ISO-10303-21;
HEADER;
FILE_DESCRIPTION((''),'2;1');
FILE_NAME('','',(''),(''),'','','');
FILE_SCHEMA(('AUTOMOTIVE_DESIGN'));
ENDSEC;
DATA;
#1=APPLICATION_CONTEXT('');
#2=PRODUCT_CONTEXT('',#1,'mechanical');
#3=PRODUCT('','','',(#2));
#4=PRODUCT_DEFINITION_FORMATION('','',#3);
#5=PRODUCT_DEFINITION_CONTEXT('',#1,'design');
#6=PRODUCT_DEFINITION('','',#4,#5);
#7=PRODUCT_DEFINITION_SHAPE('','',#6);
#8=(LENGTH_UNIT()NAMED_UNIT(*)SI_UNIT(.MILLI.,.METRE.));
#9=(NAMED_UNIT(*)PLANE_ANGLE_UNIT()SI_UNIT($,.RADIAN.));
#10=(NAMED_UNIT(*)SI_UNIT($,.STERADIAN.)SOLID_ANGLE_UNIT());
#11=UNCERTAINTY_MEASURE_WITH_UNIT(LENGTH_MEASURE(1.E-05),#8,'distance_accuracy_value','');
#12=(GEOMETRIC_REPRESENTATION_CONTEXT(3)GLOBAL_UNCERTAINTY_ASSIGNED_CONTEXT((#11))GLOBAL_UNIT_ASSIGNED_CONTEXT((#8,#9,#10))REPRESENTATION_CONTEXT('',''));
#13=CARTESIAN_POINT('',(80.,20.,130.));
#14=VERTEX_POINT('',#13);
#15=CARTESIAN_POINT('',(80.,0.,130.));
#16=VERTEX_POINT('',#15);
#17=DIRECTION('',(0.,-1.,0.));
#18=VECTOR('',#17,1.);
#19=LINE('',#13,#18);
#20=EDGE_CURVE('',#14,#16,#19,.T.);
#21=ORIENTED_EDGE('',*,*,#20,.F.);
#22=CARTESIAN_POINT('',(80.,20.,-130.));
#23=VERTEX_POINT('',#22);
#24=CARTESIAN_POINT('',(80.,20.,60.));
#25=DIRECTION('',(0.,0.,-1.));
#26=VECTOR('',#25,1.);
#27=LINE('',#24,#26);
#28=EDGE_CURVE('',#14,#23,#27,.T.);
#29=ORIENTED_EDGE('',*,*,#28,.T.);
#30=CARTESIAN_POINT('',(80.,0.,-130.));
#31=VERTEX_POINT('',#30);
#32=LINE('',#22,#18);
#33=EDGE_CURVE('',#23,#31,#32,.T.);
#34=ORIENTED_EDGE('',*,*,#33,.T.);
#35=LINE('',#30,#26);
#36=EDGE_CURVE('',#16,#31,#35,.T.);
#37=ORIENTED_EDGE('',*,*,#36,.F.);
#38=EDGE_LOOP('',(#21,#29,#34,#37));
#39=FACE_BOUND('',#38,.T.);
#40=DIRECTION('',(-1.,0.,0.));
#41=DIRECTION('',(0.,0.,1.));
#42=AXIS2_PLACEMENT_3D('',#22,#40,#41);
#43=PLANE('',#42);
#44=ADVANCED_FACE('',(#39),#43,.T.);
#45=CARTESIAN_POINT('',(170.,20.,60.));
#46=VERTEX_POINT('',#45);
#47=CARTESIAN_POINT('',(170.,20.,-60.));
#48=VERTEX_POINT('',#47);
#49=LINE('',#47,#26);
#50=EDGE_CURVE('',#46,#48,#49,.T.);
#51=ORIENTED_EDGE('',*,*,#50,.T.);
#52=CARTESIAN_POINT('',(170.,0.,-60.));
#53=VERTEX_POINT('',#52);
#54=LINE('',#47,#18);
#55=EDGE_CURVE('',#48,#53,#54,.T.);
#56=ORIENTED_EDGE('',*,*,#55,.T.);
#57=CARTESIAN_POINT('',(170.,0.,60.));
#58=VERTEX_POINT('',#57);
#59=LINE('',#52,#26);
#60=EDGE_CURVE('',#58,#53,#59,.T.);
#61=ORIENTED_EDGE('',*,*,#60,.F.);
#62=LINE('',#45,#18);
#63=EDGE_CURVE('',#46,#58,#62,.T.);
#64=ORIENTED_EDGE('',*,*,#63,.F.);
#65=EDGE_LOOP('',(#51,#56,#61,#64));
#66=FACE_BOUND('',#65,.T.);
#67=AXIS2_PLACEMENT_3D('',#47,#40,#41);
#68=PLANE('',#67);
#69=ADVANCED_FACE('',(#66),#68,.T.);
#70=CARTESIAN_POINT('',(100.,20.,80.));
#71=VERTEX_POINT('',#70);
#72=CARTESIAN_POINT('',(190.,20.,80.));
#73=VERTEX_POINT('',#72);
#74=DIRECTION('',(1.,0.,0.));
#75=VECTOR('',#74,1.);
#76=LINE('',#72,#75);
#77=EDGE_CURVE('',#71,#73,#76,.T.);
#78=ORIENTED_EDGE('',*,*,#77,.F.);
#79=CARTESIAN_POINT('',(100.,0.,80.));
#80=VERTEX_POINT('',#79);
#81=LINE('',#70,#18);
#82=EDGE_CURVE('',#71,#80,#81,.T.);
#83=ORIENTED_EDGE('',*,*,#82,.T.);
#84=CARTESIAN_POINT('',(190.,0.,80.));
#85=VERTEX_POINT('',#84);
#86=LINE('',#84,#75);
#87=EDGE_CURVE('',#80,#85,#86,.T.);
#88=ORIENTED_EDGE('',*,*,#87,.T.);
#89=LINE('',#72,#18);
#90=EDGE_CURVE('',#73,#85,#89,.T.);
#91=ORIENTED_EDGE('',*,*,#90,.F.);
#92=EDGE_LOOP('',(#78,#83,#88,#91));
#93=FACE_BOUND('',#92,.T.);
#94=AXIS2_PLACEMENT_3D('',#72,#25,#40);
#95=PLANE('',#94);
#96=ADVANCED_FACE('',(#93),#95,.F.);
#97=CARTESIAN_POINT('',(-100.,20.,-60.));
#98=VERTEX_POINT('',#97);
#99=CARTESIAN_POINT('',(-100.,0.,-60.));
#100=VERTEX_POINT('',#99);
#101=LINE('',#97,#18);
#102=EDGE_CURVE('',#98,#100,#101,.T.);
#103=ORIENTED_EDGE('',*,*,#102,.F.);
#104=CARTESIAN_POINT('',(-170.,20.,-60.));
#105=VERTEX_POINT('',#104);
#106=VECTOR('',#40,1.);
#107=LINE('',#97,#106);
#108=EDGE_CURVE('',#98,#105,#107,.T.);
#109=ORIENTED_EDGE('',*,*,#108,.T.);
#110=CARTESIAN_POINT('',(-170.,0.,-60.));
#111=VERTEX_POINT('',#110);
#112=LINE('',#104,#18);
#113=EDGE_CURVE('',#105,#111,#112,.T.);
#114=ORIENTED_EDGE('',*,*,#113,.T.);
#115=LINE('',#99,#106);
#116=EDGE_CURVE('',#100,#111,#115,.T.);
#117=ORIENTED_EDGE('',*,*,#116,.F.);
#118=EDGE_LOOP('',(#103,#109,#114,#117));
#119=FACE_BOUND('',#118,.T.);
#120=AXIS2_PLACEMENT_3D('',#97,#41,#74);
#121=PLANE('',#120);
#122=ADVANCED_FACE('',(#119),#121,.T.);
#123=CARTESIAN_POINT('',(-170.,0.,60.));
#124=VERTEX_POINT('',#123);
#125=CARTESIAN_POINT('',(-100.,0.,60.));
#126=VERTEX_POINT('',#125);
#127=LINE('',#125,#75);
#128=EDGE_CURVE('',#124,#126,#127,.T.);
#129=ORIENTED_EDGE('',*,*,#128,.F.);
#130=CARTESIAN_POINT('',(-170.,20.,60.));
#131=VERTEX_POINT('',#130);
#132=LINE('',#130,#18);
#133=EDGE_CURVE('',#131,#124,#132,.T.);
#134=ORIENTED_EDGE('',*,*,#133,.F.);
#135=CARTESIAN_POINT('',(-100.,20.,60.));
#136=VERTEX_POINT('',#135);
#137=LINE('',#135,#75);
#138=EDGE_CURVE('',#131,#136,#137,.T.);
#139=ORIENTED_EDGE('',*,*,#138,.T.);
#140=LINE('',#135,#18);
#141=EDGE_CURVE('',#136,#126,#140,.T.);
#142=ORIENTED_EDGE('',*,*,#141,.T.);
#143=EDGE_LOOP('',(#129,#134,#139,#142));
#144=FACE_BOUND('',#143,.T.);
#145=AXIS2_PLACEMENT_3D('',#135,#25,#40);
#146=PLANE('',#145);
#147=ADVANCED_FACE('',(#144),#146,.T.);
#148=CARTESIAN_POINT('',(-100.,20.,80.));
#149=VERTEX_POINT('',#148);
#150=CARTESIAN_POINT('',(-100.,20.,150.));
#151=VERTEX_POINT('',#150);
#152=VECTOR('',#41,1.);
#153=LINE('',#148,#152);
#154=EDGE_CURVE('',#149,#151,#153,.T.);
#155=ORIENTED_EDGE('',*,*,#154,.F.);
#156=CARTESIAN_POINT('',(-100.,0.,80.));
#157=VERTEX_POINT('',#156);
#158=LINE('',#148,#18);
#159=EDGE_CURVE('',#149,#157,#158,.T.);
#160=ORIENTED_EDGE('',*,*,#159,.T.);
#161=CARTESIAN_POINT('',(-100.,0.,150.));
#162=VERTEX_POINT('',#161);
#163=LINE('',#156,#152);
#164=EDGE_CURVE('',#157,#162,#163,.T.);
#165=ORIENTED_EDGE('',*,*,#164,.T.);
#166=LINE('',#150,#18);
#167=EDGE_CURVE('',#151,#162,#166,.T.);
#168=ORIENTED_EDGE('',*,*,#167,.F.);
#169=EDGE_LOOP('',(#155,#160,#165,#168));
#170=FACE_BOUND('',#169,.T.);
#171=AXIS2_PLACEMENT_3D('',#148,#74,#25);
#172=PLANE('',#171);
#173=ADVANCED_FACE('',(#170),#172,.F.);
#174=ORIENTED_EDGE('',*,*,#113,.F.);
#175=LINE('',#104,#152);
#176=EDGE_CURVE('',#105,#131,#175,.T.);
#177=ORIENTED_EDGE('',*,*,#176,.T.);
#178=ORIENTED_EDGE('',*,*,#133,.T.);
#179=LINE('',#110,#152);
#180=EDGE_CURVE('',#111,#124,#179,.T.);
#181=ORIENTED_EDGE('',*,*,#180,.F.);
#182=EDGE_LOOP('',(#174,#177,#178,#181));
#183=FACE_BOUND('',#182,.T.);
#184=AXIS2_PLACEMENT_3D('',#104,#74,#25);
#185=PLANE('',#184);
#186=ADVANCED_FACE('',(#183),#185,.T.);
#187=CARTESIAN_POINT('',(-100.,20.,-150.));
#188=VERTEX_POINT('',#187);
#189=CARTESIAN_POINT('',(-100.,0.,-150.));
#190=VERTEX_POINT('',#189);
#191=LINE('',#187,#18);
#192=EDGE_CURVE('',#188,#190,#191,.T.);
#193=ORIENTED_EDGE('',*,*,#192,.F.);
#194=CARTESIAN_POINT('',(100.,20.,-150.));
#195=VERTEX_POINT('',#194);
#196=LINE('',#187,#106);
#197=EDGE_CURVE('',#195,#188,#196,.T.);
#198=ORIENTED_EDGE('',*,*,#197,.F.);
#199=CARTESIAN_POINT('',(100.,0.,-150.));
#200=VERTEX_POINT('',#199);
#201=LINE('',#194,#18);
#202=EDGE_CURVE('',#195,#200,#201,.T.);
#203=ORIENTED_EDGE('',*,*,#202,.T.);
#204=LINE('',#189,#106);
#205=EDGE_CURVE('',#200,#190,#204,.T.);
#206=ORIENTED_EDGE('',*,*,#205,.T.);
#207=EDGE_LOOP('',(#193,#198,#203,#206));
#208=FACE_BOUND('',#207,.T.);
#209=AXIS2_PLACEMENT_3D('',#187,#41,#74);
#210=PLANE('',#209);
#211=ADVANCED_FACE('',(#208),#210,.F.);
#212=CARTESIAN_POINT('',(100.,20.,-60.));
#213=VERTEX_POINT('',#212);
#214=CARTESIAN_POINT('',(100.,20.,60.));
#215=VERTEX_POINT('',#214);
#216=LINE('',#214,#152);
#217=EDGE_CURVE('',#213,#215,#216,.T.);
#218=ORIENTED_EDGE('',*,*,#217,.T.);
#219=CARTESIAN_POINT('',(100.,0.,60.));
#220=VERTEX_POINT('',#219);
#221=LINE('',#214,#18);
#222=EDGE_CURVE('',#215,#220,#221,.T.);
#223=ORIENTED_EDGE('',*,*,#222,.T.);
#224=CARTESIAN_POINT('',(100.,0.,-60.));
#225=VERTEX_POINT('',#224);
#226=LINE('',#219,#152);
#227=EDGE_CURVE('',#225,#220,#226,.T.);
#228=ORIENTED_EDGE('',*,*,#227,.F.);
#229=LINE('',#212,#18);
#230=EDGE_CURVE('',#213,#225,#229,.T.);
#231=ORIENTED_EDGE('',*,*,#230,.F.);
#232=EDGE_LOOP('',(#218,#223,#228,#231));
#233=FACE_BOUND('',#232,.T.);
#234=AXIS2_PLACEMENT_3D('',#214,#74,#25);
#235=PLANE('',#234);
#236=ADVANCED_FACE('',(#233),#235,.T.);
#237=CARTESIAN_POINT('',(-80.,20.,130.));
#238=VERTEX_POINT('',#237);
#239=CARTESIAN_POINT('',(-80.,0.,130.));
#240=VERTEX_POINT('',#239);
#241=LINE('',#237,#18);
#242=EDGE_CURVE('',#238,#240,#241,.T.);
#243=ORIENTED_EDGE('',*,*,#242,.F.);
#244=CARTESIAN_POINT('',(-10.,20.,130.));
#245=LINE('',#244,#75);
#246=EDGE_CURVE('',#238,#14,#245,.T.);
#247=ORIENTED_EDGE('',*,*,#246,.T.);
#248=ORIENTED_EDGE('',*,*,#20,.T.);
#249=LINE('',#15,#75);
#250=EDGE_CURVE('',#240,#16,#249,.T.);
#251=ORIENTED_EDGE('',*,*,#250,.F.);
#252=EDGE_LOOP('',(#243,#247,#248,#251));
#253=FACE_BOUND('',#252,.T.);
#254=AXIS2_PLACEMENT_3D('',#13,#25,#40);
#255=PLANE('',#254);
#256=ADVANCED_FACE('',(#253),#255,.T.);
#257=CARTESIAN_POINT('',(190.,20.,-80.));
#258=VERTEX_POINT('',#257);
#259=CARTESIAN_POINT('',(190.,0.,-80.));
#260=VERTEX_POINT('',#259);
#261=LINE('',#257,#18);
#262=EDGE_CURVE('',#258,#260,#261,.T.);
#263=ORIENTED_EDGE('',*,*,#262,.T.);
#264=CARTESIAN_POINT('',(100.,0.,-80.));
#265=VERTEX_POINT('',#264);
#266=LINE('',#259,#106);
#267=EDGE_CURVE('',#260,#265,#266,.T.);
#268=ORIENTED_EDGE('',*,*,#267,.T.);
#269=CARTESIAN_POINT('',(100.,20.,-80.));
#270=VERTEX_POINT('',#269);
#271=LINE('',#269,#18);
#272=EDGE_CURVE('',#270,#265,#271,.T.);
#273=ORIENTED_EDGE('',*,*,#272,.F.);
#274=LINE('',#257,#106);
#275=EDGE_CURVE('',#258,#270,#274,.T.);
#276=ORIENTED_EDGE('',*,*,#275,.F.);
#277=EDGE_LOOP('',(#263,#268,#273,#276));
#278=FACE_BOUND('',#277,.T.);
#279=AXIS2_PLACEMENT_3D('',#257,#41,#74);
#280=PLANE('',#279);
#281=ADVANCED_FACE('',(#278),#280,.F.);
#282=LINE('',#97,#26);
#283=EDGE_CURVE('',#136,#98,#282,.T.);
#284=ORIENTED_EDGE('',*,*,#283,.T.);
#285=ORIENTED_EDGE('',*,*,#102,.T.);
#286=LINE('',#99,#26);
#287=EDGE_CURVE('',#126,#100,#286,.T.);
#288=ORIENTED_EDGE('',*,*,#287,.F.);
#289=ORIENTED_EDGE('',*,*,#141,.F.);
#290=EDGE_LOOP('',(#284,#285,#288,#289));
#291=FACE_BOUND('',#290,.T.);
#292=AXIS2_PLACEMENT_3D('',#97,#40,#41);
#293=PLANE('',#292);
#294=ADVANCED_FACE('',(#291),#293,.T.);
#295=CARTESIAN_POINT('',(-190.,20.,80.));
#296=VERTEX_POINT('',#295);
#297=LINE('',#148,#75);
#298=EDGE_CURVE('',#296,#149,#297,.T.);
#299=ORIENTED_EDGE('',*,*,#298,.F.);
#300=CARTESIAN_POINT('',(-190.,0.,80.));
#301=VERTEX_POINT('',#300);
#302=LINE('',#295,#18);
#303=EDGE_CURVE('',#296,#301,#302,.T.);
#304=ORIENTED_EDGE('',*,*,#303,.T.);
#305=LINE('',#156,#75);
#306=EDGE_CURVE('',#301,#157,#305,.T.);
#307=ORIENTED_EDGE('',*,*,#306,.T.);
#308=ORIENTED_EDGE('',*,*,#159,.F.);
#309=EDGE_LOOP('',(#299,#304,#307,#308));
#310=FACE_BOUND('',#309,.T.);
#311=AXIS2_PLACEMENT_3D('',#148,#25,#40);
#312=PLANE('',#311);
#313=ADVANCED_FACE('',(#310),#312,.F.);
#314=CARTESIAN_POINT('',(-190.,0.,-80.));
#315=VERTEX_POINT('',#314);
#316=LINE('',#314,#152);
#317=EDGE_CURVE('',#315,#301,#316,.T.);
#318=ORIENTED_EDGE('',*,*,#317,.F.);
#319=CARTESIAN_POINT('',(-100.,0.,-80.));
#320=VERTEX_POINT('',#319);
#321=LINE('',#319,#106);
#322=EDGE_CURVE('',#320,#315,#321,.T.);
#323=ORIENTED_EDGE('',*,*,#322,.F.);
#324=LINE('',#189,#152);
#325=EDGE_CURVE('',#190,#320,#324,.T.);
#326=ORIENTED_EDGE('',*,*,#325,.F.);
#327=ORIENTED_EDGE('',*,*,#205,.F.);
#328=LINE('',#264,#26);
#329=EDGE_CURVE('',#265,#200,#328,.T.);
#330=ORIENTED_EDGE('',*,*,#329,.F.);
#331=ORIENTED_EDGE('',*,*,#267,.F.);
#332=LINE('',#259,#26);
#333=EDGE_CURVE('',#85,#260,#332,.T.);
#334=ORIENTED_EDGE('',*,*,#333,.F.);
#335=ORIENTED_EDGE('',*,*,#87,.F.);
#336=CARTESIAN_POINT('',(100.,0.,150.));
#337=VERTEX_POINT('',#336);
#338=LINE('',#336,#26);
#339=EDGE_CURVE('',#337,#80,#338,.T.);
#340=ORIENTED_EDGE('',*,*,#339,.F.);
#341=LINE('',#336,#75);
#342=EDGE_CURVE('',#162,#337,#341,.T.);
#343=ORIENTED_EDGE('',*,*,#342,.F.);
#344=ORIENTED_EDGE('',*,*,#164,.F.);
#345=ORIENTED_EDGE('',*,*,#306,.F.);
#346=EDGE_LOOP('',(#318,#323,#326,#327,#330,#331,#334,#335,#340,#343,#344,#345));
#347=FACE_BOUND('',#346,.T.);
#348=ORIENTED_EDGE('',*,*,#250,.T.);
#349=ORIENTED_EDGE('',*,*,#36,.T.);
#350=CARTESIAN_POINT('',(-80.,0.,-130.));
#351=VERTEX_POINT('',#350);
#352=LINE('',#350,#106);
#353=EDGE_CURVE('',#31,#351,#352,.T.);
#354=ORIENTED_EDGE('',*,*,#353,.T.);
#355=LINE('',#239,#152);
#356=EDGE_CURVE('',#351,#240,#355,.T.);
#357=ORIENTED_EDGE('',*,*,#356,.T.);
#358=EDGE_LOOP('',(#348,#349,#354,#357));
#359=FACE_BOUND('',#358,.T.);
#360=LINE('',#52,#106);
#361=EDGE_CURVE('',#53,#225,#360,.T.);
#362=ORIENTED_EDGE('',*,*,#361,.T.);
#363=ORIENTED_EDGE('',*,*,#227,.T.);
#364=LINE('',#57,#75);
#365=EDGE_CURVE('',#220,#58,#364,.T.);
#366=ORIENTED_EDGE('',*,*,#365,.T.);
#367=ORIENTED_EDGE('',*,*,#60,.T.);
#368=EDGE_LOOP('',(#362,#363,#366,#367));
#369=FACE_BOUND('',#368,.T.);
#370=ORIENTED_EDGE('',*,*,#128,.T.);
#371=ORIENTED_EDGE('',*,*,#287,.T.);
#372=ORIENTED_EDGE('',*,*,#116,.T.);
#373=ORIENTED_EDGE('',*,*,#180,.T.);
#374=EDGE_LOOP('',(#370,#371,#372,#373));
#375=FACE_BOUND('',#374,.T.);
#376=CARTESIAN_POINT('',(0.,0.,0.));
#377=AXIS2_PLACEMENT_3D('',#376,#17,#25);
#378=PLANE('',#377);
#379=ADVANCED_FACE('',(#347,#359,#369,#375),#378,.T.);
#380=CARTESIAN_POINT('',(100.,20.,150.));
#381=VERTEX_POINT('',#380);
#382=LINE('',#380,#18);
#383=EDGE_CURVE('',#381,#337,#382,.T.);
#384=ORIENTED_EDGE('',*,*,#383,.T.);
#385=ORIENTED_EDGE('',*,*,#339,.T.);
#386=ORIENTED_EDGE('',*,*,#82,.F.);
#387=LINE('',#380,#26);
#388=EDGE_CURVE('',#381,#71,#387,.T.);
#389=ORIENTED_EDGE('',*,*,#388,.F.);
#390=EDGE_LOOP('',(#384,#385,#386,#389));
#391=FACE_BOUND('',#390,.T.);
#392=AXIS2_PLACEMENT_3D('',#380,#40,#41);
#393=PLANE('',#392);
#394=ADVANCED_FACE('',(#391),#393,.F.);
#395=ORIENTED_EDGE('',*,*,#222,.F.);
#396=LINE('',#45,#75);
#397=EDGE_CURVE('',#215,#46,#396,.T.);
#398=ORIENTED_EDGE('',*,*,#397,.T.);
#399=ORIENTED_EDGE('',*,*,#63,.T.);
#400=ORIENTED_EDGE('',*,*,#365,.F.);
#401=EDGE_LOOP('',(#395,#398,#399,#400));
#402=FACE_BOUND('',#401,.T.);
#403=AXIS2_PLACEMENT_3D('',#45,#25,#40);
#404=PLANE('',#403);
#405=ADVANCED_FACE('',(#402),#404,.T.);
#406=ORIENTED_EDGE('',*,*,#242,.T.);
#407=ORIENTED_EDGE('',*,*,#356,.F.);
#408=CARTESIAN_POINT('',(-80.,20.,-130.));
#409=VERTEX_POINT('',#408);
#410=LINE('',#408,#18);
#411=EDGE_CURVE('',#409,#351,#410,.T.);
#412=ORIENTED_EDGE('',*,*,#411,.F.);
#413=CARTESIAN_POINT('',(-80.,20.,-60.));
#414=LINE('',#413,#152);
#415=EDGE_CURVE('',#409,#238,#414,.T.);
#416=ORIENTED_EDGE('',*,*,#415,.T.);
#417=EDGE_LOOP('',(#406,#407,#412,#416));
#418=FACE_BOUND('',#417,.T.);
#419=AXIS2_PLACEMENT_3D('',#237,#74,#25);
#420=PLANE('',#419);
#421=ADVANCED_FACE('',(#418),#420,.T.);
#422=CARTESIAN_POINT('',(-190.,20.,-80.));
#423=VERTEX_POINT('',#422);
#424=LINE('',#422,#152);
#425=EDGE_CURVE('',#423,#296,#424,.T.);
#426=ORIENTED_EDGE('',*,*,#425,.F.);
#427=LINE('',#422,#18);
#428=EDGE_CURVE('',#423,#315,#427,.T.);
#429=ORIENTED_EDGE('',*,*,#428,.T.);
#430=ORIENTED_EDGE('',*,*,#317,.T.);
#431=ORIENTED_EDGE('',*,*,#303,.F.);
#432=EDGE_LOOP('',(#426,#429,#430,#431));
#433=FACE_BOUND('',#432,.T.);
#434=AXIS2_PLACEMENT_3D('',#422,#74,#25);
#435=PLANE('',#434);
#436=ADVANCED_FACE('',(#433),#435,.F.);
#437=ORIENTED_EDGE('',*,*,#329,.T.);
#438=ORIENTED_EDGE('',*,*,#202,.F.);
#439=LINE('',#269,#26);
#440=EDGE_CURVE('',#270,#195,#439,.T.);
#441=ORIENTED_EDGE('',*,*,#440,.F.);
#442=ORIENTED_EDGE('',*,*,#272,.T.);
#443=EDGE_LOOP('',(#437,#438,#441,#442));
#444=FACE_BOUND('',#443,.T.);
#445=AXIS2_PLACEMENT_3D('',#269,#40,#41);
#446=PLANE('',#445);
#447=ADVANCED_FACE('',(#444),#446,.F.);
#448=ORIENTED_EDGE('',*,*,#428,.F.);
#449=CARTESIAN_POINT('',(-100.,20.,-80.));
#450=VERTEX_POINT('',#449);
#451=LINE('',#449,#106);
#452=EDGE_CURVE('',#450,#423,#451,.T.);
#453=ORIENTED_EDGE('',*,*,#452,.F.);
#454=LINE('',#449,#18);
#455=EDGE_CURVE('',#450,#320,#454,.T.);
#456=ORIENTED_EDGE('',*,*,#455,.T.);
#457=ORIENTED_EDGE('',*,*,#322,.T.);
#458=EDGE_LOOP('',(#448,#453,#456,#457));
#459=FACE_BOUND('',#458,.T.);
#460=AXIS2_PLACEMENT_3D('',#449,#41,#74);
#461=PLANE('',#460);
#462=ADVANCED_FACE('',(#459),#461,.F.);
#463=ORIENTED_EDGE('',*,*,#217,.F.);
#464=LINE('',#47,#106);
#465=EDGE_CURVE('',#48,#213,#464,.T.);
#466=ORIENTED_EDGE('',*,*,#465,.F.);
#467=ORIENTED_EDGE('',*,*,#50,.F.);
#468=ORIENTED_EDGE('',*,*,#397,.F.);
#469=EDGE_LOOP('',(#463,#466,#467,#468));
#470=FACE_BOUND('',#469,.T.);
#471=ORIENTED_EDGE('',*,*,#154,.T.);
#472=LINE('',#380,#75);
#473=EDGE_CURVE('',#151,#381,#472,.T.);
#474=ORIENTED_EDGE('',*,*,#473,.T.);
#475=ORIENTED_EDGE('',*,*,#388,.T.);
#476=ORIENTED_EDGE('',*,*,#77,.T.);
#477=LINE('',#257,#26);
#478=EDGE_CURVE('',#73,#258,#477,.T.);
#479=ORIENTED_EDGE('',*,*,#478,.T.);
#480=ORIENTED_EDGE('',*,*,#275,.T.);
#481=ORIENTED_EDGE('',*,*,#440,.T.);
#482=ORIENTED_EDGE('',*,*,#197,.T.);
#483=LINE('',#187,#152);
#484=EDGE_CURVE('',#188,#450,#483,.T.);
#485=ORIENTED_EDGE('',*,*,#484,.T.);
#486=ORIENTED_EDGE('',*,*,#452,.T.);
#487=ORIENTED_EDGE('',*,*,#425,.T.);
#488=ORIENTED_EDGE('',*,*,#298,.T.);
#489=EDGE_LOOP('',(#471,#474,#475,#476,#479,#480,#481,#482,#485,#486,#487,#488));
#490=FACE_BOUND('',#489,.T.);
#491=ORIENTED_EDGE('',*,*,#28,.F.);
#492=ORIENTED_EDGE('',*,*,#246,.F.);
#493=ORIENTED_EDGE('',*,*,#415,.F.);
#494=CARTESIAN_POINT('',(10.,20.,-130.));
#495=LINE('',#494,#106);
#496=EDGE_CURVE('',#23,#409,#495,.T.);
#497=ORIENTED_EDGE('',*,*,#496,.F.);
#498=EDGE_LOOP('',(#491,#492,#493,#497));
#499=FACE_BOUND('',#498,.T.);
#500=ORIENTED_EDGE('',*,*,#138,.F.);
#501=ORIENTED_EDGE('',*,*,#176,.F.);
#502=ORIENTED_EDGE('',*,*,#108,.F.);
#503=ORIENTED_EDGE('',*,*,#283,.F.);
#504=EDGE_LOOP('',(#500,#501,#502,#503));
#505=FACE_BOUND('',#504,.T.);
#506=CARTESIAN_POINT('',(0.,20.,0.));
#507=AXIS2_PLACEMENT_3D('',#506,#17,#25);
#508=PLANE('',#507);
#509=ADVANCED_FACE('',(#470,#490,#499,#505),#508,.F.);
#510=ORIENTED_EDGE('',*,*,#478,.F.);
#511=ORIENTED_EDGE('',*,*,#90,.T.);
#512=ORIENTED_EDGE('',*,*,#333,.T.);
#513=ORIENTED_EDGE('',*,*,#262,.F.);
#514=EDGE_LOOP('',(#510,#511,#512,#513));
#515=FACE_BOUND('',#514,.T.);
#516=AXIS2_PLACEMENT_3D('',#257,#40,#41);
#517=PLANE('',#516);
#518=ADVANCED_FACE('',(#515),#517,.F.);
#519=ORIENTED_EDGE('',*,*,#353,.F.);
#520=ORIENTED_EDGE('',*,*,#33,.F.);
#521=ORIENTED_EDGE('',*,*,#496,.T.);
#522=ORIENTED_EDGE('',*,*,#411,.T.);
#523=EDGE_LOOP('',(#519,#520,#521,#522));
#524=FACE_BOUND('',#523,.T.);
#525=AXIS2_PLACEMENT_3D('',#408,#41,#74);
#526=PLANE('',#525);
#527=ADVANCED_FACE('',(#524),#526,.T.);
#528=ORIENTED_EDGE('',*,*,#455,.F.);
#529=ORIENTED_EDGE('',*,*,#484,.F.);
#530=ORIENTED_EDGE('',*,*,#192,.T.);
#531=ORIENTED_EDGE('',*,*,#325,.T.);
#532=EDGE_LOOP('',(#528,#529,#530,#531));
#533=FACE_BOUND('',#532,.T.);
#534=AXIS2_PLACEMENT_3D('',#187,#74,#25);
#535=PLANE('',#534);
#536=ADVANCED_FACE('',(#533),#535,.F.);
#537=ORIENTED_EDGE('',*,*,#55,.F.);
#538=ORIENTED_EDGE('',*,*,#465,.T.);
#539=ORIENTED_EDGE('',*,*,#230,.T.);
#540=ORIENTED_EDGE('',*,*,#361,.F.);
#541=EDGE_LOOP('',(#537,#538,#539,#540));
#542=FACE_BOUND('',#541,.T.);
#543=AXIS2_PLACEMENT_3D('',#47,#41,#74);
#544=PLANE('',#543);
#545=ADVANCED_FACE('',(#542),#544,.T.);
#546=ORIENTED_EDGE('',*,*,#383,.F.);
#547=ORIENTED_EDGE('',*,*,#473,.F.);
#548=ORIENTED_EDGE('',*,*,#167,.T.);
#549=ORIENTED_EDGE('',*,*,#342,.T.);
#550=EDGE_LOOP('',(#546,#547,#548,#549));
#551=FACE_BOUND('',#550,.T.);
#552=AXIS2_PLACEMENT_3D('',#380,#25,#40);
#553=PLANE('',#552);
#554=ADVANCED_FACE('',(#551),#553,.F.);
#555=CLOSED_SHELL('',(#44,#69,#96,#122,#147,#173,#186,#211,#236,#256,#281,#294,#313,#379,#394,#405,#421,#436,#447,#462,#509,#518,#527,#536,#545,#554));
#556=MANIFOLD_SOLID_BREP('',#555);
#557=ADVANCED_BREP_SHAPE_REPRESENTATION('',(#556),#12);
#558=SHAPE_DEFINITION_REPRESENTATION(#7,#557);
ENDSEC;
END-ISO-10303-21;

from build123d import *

# Parameters (mm, degrees)
SKETCH4_W           = 70
SKETCH4_H           = 120
BOSS_EXTRUDE2_DEPTH = 20


with BuildPart() as part:
    # Sketch4 → Boss-Extrude2 (new body)
    with BuildSketch(Plane(origin=(0, 0, 0), x_dir=(1, 0, 0), z_dir=(0, 1, 0))):
        Polygon((-100, 150), (100, 150), (100, 80), (190, 80), (190, -80), (100, -80), (100, -150), (-100, -150), (-100, -80), (-190, -80), (-190, 80), (-100, 80), align=None)
        with Locations((135, 0)):
            Rectangle(SKETCH4_W, SKETCH4_H, mode=Mode.SUBTRACT)
        Polygon((-80, 130), (-10, 130), (10, 130), (80, 130), (80, 60), (80, 40), (80, -40), (80, -60), (80, -130), (10, -130), (-10, -130), (-80, -130), (-80, -60), (-80, -40), (-80, 40), (-80, 60), align=None, mode=Mode.SUBTRACT)
        with Locations((-135, 0)):
            Rectangle(SKETCH4_W, SKETCH4_H, mode=Mode.SUBTRACT)
    extrude(amount=BOSS_EXTRUDE2_DEPTH)


solid = part.part
